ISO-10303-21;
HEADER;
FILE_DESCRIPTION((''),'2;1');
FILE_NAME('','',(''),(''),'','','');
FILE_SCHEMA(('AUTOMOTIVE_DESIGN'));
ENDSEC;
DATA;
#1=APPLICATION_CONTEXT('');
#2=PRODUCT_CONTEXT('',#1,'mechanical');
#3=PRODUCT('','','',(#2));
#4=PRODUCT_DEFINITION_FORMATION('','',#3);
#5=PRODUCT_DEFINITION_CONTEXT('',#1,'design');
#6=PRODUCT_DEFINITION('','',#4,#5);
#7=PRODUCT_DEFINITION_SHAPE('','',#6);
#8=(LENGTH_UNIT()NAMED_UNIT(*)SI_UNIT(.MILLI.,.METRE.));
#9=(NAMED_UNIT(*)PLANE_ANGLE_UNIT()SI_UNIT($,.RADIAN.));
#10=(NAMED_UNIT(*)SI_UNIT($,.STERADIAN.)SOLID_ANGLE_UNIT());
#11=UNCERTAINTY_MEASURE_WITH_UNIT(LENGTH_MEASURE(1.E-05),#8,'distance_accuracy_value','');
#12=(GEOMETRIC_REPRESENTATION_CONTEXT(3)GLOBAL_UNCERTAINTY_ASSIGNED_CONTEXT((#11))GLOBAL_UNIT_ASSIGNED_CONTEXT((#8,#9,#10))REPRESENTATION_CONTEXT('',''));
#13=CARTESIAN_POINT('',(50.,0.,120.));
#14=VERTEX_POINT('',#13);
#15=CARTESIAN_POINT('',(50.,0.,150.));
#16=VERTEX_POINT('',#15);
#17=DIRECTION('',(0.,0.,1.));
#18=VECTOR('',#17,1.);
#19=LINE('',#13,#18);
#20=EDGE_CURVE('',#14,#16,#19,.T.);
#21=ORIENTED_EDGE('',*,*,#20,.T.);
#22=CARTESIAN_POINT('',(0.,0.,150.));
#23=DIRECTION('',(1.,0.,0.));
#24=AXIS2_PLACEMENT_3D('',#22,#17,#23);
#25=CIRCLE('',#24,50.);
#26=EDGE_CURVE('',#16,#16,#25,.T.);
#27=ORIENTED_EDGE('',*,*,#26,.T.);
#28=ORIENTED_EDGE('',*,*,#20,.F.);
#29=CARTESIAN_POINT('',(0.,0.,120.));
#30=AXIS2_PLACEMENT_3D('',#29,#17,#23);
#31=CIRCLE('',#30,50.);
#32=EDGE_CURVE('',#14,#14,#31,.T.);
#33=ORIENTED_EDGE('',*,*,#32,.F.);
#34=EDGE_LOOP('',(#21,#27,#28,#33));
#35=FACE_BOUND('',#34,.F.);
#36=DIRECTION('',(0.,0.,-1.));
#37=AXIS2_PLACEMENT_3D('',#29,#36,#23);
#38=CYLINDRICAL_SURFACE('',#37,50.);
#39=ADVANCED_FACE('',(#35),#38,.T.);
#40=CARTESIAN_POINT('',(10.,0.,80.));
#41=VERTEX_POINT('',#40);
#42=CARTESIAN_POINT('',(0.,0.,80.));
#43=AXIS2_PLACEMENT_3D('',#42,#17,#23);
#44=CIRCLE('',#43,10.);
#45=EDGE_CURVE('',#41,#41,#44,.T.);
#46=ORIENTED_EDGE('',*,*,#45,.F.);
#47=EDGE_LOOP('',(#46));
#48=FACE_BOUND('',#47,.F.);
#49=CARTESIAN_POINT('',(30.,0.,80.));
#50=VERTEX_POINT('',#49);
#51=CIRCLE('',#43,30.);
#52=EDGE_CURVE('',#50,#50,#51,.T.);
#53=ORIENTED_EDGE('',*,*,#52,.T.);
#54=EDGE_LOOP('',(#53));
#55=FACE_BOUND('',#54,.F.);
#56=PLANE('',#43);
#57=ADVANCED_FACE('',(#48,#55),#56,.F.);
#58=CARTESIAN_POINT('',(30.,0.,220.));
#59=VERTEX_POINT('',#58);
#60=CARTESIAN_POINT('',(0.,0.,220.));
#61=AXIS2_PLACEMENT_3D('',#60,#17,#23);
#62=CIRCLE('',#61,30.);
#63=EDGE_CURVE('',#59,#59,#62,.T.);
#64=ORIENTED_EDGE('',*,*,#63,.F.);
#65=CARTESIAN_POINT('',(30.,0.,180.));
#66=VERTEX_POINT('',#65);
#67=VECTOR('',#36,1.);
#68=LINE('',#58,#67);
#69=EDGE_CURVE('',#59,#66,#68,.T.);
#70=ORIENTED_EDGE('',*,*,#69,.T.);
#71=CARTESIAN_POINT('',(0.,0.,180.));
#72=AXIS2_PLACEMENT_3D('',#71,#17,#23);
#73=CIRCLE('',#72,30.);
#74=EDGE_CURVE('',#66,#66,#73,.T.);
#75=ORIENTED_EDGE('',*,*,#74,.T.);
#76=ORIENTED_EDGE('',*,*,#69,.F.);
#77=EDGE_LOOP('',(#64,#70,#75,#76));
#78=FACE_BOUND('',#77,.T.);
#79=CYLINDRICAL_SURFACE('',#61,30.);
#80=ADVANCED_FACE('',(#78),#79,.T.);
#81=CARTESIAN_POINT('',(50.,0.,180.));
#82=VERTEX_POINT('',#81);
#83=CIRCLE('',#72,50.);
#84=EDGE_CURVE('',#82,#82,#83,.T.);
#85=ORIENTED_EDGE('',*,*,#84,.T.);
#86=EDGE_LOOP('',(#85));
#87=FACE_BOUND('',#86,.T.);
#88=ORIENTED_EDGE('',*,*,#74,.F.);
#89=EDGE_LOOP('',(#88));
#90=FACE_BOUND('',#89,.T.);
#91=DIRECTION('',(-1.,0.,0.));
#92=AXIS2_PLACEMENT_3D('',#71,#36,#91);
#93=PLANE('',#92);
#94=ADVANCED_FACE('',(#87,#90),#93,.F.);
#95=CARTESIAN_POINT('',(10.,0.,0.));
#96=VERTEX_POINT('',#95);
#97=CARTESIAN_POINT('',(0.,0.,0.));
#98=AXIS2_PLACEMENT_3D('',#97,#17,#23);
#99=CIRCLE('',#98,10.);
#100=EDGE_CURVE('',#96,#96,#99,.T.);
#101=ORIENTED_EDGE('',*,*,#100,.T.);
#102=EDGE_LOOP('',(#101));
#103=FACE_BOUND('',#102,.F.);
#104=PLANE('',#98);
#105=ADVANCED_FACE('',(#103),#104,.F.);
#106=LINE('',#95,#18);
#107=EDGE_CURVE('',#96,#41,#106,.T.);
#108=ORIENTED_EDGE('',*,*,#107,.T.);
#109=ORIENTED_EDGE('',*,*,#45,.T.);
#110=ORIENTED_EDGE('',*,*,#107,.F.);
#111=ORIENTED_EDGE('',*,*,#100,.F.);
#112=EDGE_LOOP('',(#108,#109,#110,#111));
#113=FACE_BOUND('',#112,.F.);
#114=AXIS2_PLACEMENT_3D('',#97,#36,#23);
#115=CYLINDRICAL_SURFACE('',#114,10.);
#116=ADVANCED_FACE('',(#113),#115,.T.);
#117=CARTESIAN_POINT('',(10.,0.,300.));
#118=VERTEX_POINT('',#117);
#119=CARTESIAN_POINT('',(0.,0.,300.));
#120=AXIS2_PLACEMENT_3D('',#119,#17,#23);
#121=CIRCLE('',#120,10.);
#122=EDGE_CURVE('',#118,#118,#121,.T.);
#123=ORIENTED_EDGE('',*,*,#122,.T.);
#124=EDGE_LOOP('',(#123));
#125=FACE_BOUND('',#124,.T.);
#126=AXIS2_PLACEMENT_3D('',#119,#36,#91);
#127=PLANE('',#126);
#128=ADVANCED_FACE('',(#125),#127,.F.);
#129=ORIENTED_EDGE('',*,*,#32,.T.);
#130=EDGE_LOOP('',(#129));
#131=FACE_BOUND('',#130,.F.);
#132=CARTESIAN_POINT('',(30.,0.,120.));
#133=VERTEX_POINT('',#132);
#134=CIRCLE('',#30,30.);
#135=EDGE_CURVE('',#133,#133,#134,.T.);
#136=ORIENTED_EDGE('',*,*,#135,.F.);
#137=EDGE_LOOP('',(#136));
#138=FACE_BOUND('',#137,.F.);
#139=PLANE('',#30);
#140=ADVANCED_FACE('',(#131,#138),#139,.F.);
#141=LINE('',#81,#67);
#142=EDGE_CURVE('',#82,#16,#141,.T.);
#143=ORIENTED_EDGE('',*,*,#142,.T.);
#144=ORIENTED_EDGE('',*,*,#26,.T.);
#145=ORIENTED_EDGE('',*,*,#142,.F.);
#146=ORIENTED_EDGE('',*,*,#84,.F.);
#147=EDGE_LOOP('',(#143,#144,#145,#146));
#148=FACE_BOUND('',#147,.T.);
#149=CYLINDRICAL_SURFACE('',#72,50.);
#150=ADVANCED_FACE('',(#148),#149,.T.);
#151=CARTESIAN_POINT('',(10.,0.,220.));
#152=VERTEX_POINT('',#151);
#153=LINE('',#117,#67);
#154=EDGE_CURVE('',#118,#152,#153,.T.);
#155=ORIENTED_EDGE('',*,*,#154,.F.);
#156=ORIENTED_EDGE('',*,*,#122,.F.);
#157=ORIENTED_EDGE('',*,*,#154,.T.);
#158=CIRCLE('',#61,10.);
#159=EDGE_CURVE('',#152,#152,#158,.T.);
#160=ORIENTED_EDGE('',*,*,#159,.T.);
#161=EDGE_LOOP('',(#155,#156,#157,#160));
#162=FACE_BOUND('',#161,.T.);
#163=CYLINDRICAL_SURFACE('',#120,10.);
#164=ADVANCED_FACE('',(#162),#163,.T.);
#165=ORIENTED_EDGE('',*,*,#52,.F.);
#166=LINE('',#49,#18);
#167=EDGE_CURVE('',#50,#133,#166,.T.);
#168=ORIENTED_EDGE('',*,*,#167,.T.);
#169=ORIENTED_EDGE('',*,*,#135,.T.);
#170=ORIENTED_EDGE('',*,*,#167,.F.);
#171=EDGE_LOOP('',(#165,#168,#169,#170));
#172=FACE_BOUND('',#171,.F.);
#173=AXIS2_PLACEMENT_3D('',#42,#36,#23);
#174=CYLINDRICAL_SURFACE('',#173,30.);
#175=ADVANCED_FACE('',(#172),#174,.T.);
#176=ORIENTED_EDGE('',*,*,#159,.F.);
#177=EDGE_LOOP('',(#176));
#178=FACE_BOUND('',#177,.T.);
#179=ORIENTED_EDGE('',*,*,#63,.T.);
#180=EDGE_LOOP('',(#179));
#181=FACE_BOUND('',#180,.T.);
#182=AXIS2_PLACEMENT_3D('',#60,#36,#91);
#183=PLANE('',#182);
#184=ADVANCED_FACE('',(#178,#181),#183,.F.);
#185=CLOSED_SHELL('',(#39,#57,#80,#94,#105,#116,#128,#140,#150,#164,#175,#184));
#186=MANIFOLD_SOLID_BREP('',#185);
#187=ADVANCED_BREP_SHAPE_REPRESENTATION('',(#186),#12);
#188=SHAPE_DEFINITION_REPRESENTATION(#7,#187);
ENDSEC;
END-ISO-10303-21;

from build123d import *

# Parameters (mm, degrees)
F0_R     = 10
F1_DEPTH = 80
F2_R     = 30
F3_DEPTH = 40
F4_R     = 50
F5_DEPTH = 30


with BuildPart() as f1:
    # F0 (on Top) → F1 (new body)
    with BuildSketch(Plane.XY):
        Circle(F0_R)
    extrude(amount=F1_DEPTH)

    # F2 (on face) → F3 (join)
    with BuildSketch(Plane.XY.offset(80)):
        Circle(F2_R)
    extrude(amount=F3_DEPTH)

    # F4 (on face) → F5 (join)
    with BuildSketch(Plane.XY.offset(120)):
        Circle(F4_R)
    extrude(amount=F5_DEPTH)

    # F6: F1 across face


with BuildPart() as f1_1:
    add(f1.part)
    add(f1.part.mirror(Plane.XY.offset(150)))


solid = f1_1.part
